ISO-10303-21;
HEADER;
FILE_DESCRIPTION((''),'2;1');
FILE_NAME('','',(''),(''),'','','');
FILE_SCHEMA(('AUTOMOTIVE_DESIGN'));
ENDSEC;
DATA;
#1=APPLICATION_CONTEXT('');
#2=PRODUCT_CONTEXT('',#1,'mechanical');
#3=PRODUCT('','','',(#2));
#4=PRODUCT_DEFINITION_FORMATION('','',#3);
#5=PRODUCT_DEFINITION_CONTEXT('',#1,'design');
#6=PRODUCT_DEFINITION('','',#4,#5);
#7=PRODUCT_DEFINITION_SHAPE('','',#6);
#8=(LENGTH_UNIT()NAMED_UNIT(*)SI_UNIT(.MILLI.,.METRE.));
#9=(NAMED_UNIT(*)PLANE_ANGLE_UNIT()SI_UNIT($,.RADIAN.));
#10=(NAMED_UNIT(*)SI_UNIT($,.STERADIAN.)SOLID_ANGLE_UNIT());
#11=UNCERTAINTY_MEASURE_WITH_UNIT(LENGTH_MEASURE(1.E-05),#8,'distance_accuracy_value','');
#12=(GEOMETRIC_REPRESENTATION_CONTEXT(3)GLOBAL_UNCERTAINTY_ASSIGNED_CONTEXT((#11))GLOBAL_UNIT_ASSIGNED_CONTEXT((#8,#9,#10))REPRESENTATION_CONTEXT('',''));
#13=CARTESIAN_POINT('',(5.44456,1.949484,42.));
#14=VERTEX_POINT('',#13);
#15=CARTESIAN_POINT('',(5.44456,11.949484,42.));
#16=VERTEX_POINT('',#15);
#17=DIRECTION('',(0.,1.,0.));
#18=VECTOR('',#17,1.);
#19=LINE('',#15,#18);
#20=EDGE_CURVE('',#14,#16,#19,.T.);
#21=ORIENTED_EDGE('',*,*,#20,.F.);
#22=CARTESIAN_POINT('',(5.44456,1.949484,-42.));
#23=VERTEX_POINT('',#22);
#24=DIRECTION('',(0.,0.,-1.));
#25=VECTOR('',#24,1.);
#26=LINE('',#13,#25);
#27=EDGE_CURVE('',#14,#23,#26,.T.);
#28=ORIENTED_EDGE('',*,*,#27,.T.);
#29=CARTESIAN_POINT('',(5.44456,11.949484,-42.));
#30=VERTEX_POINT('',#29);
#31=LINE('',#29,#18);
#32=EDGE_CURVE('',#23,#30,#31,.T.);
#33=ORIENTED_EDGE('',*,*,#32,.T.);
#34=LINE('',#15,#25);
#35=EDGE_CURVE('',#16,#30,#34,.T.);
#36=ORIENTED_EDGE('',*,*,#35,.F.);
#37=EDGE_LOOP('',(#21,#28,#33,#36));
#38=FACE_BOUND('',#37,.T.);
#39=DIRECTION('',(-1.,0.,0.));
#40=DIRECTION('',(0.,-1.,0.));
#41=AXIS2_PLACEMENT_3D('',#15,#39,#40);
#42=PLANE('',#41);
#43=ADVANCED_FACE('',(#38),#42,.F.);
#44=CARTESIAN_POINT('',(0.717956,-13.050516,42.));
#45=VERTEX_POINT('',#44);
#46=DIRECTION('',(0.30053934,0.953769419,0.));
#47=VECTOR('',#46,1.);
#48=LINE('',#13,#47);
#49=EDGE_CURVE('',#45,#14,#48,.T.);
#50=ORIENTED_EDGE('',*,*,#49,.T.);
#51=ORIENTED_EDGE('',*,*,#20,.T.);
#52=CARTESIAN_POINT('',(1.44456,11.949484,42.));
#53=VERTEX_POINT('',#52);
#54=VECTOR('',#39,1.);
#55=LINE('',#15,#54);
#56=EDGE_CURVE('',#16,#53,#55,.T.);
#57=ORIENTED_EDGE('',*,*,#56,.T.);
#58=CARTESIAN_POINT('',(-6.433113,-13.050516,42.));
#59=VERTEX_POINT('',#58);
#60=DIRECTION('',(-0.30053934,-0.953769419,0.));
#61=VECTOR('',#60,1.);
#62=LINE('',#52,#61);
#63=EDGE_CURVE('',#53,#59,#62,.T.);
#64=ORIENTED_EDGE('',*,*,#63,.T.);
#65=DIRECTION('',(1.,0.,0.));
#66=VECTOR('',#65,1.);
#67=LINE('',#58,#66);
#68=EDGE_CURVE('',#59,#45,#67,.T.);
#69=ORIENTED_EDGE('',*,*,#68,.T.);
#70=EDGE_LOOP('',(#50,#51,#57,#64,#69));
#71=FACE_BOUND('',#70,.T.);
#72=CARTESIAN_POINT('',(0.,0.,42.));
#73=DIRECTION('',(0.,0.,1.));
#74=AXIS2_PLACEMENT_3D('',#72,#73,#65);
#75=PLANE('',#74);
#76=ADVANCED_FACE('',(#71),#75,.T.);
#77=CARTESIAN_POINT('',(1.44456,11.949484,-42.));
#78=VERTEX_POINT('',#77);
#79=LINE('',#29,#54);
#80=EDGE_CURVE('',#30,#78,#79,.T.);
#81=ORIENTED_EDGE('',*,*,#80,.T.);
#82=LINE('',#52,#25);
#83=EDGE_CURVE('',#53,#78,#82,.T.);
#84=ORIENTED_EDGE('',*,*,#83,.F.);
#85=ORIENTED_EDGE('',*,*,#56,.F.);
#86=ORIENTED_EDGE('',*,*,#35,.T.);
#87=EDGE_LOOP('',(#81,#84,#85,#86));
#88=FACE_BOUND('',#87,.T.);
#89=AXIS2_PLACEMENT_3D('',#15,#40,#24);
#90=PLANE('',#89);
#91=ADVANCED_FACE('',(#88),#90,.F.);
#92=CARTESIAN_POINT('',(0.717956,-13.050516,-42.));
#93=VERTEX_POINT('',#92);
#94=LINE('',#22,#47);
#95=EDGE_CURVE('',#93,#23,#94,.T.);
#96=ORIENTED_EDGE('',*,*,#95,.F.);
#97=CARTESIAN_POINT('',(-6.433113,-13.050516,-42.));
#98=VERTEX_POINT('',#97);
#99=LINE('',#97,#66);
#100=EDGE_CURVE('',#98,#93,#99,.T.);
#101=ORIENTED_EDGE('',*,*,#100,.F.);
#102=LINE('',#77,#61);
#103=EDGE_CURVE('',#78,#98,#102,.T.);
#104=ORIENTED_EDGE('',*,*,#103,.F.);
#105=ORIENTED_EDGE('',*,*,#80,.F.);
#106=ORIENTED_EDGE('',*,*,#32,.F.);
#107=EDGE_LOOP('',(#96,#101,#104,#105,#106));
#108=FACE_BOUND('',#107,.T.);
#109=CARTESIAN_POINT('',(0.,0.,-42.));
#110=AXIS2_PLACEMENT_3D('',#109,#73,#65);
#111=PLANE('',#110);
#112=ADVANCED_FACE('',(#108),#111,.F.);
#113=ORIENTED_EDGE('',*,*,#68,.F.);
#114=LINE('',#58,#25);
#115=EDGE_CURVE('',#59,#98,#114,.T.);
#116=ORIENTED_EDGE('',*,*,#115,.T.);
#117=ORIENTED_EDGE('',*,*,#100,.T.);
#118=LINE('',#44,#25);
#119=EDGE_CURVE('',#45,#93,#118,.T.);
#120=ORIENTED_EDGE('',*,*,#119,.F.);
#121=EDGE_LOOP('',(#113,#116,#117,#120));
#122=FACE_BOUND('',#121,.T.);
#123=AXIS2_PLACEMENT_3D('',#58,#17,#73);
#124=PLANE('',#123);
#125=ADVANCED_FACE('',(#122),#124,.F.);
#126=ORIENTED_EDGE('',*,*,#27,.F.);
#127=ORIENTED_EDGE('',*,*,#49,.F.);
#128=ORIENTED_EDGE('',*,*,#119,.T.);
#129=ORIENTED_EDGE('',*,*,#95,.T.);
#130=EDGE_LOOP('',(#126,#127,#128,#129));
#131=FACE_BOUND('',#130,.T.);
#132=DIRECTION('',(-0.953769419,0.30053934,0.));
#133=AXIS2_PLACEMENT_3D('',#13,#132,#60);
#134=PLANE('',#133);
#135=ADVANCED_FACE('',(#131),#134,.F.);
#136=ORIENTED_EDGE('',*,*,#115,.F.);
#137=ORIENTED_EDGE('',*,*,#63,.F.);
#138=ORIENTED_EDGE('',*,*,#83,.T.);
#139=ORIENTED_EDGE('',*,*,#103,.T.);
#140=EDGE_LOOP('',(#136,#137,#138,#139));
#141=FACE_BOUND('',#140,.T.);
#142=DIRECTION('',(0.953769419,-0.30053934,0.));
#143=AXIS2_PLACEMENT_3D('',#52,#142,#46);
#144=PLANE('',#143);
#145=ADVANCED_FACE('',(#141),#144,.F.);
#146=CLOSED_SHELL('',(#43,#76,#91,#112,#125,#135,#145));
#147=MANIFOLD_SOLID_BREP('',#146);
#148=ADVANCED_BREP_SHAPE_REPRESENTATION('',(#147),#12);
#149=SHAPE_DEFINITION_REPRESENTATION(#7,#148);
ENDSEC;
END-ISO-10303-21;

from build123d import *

# Parameters (mm, degrees)
BOSS_EXTRUDE1_DEPTH = 42


with BuildPart() as part:
    # Sketch1 → Boss-Extrude1 (new body, symmetric)
    with BuildSketch(Plane.XY):
        Polygon((5.444559644, 11.949484432), (5.444559644, 1.949484432), (0.71795591, -13.050515568), (-6.433113246, -13.050515568), (1.444559644, 11.949484432), align=None)
    extrude(amount=BOSS_EXTRUDE1_DEPTH, both=True)


solid = part.part
